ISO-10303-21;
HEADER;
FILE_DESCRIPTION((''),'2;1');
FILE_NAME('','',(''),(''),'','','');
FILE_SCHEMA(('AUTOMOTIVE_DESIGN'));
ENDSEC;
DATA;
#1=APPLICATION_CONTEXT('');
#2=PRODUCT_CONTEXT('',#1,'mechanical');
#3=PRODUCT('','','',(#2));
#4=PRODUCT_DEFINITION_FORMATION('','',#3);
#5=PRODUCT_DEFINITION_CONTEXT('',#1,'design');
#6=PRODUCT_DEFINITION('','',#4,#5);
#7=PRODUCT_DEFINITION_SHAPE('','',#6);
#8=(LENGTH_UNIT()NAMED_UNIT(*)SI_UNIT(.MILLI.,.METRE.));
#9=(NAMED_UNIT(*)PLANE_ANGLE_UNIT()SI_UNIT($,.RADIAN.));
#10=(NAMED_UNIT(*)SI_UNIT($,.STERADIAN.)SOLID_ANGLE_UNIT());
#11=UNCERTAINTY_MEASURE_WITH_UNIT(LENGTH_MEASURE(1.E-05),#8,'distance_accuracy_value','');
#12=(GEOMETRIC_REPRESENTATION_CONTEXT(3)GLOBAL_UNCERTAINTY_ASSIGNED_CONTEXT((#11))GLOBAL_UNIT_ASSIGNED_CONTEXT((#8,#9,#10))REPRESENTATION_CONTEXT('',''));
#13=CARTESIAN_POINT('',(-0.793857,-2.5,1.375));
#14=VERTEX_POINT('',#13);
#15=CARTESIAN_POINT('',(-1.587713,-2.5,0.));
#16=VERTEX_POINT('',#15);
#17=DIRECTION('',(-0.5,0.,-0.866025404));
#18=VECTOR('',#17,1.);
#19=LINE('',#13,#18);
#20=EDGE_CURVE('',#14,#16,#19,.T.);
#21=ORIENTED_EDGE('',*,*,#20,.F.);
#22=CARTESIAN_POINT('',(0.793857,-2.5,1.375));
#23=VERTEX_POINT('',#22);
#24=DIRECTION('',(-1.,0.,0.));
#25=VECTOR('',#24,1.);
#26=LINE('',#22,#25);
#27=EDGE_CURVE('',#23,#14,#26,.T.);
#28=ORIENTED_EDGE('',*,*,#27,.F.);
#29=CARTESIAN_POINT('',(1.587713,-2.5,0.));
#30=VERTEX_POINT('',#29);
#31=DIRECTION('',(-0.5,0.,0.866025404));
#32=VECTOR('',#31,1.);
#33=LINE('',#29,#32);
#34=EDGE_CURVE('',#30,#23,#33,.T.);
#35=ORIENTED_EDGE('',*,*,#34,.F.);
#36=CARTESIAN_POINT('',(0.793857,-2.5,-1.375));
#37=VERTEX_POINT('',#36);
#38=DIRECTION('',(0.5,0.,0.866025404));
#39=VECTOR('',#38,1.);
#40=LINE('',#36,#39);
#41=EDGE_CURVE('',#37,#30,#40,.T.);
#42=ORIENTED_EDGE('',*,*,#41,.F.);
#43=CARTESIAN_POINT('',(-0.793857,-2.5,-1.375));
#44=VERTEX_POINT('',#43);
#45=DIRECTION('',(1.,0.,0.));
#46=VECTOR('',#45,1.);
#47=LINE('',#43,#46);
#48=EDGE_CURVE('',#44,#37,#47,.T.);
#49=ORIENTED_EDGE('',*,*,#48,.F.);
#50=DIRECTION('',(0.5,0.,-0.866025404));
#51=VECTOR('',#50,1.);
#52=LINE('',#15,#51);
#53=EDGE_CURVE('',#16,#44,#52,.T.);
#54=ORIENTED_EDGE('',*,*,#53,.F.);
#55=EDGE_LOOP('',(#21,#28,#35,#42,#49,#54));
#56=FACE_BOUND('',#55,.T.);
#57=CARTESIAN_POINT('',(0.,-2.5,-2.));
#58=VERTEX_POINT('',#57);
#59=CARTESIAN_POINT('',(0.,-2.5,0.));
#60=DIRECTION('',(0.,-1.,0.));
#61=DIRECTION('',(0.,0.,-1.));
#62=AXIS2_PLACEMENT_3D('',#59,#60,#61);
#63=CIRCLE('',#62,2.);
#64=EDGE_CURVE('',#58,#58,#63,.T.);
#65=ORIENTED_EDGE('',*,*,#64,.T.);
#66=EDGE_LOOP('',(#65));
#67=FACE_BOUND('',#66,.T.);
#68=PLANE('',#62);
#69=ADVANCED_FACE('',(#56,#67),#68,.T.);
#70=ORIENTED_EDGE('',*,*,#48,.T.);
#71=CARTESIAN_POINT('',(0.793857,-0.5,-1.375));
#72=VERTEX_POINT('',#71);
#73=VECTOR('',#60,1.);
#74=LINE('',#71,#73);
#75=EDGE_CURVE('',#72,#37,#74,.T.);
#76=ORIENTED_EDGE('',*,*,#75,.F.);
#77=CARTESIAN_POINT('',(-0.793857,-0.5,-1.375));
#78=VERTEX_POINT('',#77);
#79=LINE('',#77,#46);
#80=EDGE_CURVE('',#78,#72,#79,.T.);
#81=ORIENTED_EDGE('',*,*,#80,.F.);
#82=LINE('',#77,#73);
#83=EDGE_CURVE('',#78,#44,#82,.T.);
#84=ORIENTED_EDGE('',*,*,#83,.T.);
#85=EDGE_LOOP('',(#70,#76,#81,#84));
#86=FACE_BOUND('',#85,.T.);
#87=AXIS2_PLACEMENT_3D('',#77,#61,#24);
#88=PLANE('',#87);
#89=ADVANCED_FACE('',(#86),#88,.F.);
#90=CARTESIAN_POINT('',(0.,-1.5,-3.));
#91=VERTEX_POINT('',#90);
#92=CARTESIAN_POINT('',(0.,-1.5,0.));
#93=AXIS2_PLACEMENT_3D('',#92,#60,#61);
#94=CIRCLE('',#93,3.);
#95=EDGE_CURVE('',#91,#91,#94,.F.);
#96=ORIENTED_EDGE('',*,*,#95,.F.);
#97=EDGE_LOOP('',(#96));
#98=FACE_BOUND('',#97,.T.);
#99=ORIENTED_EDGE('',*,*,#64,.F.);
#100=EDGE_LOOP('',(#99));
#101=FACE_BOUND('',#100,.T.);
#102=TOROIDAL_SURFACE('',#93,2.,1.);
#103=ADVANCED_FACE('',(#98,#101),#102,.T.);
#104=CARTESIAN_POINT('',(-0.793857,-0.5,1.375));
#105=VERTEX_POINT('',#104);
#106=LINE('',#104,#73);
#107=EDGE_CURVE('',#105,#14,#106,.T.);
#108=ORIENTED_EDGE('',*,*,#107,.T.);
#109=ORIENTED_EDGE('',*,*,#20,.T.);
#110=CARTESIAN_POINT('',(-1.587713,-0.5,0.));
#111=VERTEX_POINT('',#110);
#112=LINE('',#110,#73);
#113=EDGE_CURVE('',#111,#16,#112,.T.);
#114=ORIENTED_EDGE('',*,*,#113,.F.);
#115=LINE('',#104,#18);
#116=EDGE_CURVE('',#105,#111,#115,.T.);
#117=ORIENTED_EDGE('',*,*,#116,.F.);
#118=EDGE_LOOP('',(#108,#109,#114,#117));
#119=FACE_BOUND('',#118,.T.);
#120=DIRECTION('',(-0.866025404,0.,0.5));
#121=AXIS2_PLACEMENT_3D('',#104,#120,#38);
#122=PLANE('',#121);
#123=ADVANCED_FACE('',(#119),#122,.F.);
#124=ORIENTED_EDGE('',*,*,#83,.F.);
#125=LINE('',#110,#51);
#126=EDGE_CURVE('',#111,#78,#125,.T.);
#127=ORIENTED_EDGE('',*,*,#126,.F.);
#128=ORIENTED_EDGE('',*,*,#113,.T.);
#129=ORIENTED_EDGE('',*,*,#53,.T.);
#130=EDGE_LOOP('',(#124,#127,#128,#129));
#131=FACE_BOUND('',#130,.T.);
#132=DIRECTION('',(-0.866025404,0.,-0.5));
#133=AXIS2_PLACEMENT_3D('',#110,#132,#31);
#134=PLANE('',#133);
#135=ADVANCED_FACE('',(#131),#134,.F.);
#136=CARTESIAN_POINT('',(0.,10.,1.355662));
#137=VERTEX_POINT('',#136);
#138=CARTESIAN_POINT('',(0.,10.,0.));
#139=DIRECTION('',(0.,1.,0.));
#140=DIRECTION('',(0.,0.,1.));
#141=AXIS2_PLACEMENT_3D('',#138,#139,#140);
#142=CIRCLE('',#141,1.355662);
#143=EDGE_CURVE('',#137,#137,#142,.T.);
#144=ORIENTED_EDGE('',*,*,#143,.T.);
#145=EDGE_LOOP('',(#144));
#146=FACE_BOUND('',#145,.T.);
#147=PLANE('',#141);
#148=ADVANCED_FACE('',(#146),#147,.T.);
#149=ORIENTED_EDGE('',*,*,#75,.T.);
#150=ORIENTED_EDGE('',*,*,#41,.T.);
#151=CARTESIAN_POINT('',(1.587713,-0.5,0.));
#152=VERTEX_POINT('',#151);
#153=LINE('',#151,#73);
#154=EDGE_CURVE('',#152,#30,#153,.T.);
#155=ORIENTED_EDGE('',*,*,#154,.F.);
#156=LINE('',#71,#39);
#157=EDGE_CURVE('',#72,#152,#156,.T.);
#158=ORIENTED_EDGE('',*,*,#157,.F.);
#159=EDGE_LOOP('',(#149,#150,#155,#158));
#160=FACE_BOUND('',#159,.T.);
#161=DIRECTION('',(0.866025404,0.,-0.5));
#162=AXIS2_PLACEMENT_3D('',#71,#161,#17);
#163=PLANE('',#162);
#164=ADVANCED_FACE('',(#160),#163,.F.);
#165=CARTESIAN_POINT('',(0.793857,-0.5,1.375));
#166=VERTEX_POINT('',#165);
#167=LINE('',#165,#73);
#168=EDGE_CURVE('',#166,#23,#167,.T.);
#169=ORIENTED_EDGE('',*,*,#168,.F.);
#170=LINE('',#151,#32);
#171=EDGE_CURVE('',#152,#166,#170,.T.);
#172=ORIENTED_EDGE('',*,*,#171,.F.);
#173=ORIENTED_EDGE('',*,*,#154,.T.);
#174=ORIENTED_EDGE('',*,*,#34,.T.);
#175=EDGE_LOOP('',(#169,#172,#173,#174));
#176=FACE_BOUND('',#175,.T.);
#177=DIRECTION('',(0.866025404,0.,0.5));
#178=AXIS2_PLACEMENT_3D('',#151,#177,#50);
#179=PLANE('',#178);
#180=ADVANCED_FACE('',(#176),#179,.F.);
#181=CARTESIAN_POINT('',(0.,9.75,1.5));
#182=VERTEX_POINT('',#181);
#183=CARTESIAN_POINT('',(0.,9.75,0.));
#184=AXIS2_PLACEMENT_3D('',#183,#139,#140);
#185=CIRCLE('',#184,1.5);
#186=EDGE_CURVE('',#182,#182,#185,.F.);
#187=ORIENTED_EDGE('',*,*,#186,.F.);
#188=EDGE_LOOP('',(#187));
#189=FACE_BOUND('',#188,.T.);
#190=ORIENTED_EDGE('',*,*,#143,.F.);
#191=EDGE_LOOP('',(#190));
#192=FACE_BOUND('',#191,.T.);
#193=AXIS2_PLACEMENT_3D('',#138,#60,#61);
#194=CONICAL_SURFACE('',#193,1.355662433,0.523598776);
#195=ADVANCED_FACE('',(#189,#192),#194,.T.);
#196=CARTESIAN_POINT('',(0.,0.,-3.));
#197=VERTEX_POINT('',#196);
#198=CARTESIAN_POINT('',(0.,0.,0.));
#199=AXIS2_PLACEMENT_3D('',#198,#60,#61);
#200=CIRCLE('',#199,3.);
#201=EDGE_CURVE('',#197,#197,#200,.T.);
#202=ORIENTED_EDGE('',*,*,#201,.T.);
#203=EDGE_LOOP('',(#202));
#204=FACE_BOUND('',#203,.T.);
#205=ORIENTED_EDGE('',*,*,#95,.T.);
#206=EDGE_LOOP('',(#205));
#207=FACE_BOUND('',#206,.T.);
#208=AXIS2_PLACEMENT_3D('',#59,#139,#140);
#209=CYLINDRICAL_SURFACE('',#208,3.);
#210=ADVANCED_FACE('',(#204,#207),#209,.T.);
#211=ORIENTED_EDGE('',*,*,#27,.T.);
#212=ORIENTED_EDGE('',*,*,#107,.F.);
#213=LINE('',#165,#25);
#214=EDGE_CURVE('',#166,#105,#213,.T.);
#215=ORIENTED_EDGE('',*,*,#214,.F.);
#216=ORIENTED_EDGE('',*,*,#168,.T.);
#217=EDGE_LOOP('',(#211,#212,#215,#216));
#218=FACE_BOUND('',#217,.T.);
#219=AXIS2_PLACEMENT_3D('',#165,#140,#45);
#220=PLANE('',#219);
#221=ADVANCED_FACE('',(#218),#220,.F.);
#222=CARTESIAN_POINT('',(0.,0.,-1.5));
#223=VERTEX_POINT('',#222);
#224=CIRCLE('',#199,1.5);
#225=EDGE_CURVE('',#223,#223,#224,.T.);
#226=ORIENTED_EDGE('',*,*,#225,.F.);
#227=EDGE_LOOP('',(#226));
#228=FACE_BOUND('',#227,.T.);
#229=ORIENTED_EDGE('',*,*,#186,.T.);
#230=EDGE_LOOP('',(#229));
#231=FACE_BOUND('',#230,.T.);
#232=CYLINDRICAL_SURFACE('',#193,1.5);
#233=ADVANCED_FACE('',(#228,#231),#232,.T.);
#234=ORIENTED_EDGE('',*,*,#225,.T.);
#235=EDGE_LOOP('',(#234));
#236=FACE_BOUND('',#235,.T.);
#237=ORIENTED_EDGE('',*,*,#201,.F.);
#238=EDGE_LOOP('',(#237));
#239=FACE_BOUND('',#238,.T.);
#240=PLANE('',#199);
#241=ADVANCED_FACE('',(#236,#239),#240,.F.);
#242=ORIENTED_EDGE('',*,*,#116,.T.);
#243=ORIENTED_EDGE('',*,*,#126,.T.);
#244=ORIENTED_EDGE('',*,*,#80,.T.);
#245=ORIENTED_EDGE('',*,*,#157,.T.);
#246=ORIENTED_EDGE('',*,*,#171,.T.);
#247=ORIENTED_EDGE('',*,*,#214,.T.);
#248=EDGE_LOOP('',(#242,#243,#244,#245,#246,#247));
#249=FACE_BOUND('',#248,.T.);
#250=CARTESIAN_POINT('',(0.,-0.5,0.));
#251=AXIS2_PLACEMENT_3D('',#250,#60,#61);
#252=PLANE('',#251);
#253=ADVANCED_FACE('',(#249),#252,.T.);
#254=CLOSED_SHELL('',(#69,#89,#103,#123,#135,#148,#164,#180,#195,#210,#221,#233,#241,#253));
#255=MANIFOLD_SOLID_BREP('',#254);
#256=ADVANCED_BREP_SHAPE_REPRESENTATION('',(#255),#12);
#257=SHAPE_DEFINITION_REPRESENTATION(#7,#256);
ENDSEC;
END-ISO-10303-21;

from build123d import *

# Parameters (mm, degrees)
SKETCH1_R           = 1.5
BOSS_EXTRUDE1_DEPTH = 10
CHAMFER1_SIZE       = 0.25
CHAMFER1_SIZE2      = 0.144337567
SKETCH2_R           = 3
BOSS_EXTRUDE2_DEPTH = 2.5
FILLET1_R           = 1
CUT_EXTRUDE1_DEPTH  = 2


with BuildPart() as part:
    # Sketch1 → Boss-Extrude1 (new body)
    with BuildSketch(Plane(origin=(0, 0, 0), x_dir=(1, 0, 0), z_dir=(0, 1, 0))):
        with Locations(Location((0, 0, 0), (0, 0, 270))):
            Circle(SKETCH1_R)
    extrude(amount=BOSS_EXTRUDE1_DEPTH)

    # Chamfer1
    chamfer1_edges = [part.edges().sort_by_distance(p)[0] for p in [
        (0, 10, -1.5),
    ]]
    chamfer1_side = [part.faces().sort_by_distance(p)[0] for p in [
        (0, 5, -1.5),
    ]]
    chamfer(chamfer1_edges, length=CHAMFER1_SIZE, length2=CHAMFER1_SIZE2, reference=chamfer1_side[0])

    # Sketch2 → Boss-Extrude2 (add)
    with BuildSketch(Plane(origin=(0, 0, 0), x_dir=(-1, 0, 0), z_dir=(0, -1, 0))):
        with Locations(Location((0, 0, 0), (0, 0, 90))):
            Circle(SKETCH2_R)
    extrude(amount=BOSS_EXTRUDE2_DEPTH)

    # Fillet1
    fillet1_edges = [part.edges().sort_by_distance(p)[0] for p in [
        (0, -2.5, 3),
    ]]
    fillet(fillet1_edges, radius=FILLET1_R)

    # Sketch3 → Cut-Extrude1 (cut)
    with BuildSketch(Plane(origin=(0, -2.5, 0), x_dir=(-1, 0, 0), z_dir=(0, -1, 0))):
        Polygon((1.58771324, 0), (0.79385662, 1.375), (-0.79385662, 1.375), (-1.58771324, 0), (-0.79385662, -1.375), (0.79385662, -1.375), align=None)
    extrude(amount=-CUT_EXTRUDE1_DEPTH, mode=Mode.SUBTRACT)


solid = part.part
